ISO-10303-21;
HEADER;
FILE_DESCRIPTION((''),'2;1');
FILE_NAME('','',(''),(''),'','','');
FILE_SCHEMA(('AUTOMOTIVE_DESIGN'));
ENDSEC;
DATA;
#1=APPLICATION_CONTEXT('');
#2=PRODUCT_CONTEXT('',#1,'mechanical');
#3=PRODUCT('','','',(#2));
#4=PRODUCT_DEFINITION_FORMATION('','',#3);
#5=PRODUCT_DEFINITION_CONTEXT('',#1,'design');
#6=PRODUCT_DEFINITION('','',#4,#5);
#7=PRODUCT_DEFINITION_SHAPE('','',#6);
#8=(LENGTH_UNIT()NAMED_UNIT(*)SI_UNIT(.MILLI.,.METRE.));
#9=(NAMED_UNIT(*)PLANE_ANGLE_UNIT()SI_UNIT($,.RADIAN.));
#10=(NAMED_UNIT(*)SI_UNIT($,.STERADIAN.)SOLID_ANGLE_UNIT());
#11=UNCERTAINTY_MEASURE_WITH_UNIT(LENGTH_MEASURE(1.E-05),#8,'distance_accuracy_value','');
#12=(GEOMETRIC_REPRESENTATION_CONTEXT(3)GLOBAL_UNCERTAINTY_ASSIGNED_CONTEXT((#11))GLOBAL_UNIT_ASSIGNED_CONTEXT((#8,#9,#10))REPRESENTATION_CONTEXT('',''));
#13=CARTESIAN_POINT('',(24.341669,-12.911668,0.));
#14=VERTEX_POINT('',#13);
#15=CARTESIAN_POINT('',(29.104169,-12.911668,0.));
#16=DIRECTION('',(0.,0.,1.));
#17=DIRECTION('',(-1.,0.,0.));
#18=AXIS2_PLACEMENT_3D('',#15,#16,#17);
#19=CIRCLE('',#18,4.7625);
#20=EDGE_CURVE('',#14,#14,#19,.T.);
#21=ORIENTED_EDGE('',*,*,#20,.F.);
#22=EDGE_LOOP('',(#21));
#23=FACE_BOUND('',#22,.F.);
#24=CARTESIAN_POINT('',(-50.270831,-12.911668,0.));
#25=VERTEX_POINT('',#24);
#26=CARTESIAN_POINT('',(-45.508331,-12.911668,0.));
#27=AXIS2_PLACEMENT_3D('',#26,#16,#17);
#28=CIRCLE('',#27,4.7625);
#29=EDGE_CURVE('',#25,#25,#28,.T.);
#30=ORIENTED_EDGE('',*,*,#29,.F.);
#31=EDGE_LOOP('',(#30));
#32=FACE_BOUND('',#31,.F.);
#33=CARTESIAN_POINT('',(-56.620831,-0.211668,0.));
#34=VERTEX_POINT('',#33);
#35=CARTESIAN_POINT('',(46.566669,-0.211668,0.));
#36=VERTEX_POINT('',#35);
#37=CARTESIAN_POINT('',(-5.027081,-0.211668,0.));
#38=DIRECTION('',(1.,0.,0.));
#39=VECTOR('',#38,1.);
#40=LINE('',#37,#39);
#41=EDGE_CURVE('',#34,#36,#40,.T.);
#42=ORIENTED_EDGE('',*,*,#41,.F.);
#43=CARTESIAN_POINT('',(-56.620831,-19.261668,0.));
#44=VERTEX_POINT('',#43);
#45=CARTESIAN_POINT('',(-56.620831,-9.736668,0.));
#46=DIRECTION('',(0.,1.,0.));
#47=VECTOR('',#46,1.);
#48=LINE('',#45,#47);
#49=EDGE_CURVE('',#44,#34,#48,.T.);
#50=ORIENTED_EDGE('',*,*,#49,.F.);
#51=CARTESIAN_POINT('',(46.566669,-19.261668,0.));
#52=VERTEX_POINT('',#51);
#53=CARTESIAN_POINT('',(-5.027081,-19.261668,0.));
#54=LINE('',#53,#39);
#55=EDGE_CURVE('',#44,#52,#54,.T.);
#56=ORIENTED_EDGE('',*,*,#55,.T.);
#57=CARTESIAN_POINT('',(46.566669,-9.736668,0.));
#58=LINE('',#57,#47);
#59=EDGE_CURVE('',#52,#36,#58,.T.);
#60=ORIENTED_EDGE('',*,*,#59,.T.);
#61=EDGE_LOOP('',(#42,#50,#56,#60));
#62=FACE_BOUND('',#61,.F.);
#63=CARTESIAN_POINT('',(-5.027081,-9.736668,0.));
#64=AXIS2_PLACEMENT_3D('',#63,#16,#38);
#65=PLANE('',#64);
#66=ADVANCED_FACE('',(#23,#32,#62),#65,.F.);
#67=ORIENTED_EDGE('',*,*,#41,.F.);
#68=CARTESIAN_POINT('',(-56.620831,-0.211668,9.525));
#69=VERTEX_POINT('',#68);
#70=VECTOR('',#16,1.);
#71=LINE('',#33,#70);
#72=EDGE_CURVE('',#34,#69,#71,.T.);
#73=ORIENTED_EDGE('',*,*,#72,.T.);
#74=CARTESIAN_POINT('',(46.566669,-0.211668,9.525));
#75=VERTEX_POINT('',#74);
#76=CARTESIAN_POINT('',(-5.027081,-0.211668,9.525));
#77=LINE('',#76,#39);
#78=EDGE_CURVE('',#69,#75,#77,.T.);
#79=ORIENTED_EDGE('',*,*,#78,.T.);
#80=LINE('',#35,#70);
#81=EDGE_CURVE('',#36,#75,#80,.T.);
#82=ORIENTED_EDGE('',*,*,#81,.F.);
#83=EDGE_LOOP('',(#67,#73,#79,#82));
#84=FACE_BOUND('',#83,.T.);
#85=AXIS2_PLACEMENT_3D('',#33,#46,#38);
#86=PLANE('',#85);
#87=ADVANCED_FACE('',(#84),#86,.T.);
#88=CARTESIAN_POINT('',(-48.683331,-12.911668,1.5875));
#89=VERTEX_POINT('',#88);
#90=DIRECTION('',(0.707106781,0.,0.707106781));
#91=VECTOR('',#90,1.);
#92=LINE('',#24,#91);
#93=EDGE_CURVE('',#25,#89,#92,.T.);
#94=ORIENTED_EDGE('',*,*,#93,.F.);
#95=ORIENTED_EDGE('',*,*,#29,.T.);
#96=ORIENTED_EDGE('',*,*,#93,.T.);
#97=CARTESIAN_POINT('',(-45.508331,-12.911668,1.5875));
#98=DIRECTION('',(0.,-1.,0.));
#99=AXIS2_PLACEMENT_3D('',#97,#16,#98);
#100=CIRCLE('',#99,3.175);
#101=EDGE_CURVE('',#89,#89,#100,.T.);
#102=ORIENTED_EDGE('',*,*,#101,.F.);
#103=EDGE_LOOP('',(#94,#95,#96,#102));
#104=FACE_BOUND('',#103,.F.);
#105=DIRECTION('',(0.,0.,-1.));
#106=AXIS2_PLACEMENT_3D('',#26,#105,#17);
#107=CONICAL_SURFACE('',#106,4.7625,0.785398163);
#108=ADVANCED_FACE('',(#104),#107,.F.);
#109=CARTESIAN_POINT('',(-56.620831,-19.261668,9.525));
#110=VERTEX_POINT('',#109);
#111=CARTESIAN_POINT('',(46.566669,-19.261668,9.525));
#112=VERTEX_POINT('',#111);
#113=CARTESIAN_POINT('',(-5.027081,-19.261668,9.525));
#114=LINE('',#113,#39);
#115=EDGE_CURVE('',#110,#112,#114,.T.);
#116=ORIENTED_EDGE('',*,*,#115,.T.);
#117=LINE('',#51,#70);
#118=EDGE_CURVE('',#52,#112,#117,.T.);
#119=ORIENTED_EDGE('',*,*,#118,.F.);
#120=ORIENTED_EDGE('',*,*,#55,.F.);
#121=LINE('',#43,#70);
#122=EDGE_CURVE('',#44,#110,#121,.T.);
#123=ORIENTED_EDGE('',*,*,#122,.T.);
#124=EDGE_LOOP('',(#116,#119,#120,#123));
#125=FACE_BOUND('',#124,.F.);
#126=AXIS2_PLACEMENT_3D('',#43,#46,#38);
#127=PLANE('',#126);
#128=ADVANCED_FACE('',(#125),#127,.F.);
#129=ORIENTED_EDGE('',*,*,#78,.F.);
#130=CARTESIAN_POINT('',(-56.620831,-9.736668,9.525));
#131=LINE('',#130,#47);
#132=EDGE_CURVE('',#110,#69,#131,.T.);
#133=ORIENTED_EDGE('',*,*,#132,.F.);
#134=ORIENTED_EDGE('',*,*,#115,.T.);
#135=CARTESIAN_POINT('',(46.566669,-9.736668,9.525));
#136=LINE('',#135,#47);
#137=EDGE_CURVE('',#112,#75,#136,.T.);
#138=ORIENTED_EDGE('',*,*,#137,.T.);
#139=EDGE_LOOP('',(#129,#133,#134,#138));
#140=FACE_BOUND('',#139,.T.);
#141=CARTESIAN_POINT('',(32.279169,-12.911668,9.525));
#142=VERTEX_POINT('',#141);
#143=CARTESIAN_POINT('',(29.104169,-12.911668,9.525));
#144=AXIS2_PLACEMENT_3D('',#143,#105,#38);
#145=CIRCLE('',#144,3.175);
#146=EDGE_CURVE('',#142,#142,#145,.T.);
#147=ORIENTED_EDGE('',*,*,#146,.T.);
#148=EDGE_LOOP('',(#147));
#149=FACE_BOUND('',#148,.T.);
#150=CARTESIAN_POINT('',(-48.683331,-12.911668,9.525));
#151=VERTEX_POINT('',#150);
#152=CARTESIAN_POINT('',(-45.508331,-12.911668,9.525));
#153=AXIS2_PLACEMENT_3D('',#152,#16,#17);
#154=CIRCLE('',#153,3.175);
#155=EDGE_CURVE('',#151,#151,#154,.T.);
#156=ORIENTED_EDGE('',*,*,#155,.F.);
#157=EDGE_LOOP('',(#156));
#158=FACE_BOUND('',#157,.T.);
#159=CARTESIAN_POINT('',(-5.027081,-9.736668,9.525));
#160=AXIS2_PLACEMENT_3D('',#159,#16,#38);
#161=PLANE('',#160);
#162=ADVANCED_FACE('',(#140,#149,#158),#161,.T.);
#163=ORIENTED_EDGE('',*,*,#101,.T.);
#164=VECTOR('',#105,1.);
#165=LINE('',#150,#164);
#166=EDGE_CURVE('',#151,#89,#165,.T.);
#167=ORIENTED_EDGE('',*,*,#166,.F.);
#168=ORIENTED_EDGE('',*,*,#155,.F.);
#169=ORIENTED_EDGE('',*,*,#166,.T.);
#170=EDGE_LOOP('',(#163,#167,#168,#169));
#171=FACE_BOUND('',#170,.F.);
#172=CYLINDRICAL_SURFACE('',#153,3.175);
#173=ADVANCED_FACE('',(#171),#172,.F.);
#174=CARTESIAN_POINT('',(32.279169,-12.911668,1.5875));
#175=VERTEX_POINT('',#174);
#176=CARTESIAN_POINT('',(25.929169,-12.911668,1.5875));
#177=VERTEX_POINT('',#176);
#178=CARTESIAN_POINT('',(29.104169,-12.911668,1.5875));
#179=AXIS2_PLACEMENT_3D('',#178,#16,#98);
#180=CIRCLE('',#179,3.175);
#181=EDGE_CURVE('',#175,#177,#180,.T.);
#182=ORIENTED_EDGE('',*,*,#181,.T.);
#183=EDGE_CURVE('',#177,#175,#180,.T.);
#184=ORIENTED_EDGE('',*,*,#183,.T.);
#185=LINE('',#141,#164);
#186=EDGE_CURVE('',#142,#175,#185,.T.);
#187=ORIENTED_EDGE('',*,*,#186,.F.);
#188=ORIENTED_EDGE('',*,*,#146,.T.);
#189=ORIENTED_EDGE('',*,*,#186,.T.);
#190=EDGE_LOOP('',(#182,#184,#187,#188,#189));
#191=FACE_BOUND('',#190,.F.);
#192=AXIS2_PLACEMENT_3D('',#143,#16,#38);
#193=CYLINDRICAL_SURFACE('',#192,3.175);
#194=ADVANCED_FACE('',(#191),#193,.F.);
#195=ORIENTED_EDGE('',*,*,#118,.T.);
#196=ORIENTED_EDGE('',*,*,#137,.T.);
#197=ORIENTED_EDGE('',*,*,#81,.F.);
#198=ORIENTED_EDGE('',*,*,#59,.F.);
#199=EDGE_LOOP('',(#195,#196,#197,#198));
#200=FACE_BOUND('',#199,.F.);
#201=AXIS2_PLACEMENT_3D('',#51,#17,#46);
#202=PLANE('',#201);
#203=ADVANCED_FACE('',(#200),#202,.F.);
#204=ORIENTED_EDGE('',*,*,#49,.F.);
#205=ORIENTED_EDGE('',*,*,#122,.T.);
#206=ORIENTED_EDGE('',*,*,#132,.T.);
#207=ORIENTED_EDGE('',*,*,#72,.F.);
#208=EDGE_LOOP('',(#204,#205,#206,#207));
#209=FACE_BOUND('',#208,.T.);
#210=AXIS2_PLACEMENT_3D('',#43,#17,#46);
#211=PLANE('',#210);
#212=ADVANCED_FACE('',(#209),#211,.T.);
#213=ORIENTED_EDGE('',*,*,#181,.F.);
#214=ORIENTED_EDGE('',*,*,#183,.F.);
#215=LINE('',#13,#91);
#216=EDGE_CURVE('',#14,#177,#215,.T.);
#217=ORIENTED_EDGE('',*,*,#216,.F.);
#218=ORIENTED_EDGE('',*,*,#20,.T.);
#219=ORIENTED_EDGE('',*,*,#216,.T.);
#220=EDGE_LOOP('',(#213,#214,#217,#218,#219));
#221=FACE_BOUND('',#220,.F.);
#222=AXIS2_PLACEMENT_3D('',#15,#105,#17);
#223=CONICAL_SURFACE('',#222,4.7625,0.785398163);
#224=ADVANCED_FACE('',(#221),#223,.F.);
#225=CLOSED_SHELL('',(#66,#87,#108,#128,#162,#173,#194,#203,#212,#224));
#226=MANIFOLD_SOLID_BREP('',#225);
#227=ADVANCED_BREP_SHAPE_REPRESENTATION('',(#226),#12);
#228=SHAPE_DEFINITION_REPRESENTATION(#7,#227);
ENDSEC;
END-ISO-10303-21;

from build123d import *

# Parameters (mm, degrees)
F0_W           = 103.1875
F0_H           = 19.05
F1_DEPTH       = 9.525
F2_R           = 3.175
F3_DEPTH       = 9.525
F5_D           = 6.35
F5_CSINK_D     = 9.525
F5_CSINK_ANGLE = 90


with BuildPart() as f1:
    # F0 (on Top) → F1 (new body)
    with BuildSketch(Plane.XY):
        with Locations((-5.027081, -9.736668)):
            Rectangle(F0_W, F0_H)
    extrude(amount=F1_DEPTH)

    # F2 (on face) → F3 (cut)
    with BuildSketch(Plane.XY.offset(9.525)):
        with BuildLine():
            ThreePointArc((-42.333331, -12.911668), (-45.508331, -9.736668), (-48.683331, -12.911668))
            ThreePointArc((-48.683331, -12.911668), (-45.508331, -16.086668), (-42.333331, -12.911668))
        make_face()
        with Locations((29.104169, -12.911668)):
            Circle(F2_R)
    extrude(amount=-F3_DEPTH, mode=Mode.SUBTRACT)

    # F5 (through all)
    with Locations(Plane(origin=(0, 0, 0), x_dir=(1, 0, 0), z_dir=(0, 0, -1))):
        with Locations((-45.508331, 12.911668), (29.104169, 12.911668)):
            CounterSinkHole(F5_D / 2, F5_CSINK_D / 2, counter_sink_angle=F5_CSINK_ANGLE)


solid = f1.part
